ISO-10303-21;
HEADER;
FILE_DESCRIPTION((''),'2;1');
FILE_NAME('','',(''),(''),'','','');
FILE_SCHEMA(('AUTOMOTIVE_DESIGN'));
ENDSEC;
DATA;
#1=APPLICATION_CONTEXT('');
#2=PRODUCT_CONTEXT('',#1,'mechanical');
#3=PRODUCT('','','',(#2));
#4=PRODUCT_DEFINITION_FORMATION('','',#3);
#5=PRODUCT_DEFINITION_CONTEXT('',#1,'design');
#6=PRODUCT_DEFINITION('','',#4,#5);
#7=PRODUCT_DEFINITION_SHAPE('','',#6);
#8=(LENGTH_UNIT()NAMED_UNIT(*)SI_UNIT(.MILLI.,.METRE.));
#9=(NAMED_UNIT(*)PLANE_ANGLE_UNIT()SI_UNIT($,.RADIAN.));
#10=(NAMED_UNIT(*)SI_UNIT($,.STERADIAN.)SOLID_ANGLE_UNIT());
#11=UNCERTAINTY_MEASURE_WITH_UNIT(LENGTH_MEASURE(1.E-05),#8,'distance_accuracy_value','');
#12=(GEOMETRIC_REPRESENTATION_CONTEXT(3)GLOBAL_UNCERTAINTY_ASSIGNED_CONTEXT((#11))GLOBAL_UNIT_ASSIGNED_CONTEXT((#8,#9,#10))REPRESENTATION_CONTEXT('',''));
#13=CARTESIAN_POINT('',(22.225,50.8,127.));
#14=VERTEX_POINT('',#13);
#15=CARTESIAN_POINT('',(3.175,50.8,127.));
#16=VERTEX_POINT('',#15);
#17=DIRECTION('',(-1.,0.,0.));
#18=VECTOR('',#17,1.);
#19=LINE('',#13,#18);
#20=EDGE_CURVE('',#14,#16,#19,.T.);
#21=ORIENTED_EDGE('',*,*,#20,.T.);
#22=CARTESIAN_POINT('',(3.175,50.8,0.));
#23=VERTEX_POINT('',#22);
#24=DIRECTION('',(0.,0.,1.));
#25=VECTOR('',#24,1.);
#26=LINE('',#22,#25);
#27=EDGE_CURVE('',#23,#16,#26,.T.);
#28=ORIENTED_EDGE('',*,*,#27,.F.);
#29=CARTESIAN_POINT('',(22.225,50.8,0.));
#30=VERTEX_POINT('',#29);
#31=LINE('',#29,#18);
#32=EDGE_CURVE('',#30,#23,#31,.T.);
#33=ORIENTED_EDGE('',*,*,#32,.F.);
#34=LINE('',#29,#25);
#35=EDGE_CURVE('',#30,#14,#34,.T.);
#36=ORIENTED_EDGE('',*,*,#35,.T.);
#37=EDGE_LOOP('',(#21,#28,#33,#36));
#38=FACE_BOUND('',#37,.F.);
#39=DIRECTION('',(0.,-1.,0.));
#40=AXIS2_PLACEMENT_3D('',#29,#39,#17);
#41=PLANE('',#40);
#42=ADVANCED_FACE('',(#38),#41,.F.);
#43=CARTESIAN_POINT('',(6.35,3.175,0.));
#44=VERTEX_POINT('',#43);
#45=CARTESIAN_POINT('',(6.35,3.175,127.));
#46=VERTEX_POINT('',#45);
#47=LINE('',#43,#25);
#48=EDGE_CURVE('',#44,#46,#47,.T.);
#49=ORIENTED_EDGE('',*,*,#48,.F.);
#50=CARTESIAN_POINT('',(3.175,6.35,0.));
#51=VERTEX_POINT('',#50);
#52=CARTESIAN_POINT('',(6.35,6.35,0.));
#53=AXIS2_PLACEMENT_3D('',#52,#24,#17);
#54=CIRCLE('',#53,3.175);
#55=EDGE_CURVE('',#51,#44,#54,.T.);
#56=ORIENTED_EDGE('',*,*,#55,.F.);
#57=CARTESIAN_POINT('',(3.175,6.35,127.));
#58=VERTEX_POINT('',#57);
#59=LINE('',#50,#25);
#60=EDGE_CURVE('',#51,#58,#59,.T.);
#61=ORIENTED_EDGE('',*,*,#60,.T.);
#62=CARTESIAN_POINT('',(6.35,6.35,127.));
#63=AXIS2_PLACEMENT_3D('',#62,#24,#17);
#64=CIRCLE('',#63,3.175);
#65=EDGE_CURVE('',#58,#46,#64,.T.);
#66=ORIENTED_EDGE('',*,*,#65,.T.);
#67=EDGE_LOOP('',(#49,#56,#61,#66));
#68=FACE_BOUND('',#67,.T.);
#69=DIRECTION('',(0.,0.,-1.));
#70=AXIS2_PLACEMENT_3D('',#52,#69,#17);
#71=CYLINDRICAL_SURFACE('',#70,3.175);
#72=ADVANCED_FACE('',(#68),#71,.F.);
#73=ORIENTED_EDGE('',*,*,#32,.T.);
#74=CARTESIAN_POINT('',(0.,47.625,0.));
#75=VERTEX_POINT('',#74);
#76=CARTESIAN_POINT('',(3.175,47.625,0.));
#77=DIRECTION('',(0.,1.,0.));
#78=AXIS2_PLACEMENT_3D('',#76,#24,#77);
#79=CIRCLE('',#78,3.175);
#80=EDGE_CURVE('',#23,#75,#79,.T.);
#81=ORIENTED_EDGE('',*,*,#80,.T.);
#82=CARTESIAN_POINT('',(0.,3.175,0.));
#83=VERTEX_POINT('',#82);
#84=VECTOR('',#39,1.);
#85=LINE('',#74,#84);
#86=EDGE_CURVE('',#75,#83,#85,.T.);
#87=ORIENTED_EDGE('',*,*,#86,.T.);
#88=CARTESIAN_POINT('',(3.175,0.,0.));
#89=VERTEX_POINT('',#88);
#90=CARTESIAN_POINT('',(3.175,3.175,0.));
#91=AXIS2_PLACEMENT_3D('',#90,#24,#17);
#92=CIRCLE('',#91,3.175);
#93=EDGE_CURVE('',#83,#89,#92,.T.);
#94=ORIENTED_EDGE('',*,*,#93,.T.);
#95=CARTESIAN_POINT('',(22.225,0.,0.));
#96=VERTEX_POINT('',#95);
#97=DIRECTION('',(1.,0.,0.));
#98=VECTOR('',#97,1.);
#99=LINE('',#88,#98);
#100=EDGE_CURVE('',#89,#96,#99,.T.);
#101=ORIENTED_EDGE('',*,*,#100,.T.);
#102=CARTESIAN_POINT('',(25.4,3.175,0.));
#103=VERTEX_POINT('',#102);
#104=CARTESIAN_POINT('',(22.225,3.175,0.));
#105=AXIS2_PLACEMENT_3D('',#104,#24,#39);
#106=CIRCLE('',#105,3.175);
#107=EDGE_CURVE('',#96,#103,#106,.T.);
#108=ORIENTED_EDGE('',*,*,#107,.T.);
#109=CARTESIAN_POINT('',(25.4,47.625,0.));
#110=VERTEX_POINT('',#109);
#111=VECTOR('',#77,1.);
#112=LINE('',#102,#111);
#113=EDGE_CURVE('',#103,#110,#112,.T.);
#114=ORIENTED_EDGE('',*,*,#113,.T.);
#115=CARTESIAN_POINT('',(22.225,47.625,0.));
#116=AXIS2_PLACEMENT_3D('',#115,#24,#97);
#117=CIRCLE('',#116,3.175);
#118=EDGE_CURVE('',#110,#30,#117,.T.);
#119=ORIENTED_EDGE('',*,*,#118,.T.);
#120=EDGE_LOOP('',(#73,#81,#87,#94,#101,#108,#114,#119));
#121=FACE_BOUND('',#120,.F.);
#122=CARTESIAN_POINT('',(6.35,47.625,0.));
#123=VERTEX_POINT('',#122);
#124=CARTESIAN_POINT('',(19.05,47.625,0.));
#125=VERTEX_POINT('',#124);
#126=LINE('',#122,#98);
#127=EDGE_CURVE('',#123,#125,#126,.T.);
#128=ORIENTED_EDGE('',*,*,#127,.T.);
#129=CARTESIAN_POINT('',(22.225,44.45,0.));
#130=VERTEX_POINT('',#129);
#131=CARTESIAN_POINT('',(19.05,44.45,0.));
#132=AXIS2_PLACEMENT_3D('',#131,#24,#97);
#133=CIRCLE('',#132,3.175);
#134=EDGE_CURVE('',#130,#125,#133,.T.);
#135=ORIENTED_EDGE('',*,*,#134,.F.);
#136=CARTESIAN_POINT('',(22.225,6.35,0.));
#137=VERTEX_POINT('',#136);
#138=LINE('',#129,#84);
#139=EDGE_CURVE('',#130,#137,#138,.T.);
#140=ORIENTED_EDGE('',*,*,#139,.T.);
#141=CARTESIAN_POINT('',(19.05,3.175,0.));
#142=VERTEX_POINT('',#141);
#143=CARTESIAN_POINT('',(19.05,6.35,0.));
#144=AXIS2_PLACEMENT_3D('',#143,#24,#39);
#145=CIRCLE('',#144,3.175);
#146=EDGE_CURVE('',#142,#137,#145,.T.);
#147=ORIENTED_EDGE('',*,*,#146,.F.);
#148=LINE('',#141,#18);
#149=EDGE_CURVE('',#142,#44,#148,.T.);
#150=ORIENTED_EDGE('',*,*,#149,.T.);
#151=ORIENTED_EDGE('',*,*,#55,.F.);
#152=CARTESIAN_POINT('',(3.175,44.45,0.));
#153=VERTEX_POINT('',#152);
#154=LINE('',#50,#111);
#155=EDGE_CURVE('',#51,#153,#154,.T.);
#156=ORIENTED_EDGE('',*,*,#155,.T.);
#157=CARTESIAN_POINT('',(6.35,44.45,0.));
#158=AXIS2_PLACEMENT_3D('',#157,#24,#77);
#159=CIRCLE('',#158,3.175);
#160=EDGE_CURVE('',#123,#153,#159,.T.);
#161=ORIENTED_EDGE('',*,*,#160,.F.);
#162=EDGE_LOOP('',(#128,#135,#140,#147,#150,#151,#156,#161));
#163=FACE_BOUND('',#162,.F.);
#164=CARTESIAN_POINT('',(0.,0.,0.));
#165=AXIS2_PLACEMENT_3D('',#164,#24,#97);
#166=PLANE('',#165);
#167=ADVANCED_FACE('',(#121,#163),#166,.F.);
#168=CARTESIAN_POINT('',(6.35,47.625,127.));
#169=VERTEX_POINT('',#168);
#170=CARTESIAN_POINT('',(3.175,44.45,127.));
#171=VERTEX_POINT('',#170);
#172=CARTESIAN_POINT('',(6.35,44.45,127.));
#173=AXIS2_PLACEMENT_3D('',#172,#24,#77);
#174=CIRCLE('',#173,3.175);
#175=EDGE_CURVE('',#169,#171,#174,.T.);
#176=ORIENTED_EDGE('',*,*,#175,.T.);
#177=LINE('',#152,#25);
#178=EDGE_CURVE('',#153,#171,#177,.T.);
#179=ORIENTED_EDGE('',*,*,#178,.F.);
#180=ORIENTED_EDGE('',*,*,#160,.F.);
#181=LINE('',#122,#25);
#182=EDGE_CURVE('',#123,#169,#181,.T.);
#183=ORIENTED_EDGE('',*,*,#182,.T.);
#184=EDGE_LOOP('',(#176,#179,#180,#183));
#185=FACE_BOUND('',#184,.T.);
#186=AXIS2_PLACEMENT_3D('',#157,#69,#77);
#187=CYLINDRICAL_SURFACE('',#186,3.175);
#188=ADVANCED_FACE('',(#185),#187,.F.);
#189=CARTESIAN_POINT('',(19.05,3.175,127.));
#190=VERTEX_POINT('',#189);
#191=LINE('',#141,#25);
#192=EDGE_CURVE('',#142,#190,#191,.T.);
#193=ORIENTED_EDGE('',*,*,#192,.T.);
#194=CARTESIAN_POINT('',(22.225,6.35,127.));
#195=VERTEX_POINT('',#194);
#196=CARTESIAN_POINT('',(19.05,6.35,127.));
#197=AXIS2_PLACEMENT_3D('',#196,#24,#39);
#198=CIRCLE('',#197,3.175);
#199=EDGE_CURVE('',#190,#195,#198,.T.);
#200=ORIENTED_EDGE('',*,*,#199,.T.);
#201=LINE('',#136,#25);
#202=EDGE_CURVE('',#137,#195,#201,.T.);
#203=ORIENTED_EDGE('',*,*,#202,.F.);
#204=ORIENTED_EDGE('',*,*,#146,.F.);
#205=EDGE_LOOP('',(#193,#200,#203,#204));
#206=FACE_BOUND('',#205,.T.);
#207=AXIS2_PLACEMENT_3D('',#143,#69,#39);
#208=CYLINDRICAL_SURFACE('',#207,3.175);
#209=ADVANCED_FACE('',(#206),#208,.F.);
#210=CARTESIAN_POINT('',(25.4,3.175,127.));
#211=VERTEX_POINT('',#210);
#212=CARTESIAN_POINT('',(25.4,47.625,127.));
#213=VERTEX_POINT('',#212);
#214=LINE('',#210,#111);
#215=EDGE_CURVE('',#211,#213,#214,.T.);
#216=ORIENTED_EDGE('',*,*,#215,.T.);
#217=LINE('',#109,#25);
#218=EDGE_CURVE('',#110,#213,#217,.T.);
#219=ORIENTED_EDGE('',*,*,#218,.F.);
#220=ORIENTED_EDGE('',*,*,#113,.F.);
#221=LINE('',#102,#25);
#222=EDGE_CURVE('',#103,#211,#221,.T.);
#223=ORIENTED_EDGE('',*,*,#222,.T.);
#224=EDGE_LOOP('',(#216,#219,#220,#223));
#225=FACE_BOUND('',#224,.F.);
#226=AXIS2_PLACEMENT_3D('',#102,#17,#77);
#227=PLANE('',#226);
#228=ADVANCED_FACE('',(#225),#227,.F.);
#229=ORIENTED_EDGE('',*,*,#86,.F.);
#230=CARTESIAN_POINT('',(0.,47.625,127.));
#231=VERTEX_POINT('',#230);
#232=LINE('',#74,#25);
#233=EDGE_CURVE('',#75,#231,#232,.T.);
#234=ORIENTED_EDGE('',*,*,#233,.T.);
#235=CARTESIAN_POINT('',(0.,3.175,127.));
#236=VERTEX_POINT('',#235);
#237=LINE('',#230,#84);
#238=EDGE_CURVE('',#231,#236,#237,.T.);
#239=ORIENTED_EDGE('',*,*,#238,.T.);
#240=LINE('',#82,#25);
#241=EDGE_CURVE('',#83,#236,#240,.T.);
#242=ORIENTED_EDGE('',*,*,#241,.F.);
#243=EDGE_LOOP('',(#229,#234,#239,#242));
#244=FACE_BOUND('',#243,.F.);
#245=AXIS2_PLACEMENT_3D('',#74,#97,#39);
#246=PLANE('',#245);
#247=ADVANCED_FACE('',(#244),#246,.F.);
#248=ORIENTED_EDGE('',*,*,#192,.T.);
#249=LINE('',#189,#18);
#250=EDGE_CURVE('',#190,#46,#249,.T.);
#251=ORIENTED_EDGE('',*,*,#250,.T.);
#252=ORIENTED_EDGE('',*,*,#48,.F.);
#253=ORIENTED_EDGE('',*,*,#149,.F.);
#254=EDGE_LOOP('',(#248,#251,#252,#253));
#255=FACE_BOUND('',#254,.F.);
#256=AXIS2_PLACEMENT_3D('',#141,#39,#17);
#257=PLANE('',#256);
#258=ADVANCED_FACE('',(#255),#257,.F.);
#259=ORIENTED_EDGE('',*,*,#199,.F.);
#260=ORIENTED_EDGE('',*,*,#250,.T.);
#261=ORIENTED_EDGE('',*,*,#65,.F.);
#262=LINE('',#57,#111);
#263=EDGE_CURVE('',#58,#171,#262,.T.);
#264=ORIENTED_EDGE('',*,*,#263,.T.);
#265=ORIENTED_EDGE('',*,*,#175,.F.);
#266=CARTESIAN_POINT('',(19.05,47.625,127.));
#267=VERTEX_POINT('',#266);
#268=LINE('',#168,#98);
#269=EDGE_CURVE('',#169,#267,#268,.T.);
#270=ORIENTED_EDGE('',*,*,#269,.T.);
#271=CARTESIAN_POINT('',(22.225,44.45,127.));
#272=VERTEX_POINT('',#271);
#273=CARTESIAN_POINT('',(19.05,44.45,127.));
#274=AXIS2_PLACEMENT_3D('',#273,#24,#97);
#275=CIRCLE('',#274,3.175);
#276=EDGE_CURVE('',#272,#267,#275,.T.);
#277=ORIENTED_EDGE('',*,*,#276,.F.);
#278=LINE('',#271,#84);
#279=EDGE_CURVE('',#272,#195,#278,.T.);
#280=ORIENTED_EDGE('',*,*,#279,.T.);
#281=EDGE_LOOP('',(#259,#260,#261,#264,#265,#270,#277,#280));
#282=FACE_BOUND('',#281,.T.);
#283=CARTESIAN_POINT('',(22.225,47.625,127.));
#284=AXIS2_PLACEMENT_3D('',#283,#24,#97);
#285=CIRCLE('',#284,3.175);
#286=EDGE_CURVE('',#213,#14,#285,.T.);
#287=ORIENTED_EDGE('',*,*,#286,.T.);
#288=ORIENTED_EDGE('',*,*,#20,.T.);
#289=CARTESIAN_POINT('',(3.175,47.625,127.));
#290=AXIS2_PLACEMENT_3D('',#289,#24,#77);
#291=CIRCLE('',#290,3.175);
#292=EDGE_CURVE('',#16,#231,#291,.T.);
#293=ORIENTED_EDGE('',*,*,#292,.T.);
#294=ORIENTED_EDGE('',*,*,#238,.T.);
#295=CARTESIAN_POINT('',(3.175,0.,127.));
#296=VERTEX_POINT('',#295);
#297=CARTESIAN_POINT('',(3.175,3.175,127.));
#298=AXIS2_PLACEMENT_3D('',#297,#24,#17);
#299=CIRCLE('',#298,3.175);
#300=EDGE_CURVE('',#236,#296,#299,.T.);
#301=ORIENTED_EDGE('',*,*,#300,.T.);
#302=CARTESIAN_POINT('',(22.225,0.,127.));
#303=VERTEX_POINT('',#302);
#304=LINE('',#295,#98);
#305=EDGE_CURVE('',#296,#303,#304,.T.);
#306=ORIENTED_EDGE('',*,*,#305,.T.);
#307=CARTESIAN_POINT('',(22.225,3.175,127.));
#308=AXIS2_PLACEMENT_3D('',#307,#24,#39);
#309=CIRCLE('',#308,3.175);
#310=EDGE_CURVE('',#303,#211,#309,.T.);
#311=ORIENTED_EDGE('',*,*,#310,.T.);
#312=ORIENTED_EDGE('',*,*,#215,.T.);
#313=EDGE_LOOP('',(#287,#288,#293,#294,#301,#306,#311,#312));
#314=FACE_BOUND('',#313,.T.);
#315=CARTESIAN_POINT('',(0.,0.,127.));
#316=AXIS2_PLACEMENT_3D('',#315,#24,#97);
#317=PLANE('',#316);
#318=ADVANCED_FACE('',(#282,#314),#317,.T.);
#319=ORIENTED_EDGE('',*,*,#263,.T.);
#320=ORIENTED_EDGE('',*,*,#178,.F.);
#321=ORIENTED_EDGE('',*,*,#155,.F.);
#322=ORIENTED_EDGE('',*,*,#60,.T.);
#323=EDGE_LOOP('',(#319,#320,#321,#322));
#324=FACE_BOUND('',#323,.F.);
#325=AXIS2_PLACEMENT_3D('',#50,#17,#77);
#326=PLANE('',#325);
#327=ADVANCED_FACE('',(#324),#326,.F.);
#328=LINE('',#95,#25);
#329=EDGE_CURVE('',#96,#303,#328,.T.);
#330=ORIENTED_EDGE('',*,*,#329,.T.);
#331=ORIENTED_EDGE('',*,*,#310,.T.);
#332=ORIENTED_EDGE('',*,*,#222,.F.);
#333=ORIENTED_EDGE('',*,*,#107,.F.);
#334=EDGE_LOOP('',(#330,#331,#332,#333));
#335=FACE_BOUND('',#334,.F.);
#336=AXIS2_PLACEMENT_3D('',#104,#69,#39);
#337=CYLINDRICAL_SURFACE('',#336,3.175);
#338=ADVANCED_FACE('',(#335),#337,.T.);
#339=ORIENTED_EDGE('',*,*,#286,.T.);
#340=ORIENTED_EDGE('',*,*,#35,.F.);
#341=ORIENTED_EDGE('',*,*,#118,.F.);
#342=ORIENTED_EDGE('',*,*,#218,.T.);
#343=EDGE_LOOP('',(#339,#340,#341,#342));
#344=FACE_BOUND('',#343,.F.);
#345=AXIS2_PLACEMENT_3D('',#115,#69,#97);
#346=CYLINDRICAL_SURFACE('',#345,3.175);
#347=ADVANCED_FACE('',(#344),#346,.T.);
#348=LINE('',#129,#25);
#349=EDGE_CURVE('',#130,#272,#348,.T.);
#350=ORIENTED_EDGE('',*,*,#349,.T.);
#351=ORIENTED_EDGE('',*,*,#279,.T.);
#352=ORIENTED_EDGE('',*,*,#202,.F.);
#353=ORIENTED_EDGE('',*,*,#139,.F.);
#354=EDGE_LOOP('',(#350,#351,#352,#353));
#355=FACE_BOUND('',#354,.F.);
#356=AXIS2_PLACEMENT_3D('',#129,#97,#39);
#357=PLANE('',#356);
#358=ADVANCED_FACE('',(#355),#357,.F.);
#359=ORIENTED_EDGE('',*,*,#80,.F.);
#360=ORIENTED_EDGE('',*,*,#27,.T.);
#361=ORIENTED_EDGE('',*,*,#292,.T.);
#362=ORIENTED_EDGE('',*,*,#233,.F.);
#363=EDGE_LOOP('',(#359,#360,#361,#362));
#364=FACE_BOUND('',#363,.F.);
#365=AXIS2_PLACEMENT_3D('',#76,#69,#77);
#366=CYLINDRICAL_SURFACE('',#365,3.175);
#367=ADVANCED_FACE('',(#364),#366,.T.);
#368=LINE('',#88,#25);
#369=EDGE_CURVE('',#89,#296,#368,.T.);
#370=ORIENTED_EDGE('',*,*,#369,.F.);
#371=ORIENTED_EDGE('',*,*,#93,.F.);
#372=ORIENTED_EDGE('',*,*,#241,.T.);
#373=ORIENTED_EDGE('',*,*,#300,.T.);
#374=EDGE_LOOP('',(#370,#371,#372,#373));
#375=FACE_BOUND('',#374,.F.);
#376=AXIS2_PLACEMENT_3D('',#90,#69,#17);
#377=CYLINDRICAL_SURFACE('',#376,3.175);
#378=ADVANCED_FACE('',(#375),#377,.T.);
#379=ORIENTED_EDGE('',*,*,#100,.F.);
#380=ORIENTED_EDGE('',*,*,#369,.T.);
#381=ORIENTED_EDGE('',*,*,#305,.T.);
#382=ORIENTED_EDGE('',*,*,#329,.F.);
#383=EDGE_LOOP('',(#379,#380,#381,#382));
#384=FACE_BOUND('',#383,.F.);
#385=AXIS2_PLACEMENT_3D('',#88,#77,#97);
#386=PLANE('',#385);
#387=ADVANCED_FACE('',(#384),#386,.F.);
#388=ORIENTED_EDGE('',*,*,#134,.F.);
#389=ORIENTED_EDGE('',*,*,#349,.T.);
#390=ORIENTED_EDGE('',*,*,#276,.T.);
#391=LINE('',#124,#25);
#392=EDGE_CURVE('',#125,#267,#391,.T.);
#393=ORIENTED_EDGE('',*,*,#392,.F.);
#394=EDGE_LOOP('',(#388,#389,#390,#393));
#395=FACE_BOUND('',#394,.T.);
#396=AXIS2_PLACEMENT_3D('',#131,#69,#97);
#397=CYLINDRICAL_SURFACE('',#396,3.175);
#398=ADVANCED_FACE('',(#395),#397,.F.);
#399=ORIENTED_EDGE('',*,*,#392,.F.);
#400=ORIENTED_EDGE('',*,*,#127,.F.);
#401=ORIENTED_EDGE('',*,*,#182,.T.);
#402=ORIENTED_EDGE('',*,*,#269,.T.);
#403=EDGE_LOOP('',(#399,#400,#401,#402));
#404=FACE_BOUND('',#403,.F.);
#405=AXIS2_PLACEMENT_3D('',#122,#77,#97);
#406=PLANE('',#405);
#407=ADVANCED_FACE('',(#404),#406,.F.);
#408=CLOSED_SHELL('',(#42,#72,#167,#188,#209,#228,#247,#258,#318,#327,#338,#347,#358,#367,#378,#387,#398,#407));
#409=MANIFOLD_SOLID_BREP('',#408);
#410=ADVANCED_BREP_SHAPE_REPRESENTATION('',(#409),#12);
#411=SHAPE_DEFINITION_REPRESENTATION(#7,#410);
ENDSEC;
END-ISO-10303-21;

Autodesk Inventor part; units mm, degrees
ref_plane "YZ Plane" through (0, 0, 0) normal (1, 0, 0) x (0, 1, 0)
ref_plane "XZ Plane" through (0, 0, 0) normal (0, 1, 0) x (-1, 0, 0)
ref_plane "XY Plane" through (0, 0, 0) normal (0, 0, 1) x (1, 0, 0)
sketch "Sketch1" plane through (0, 0, 0) normal (0, 0, 1) x (1, 0, 0)
  line L0 (3.175, 0) -> (22.225, 0)
  line L1 (25.4, 3.175) -> (25.4, 47.625)
  line L2 (22.225, 50.8) -> (3.175, 50.8)
  line L3 (0, 47.625) -> (0, 3.175)
  arc A0 (3.175, 50.8) -> (0, 47.625) centre (3.175, 47.625) ccw
  arc A1 (25.4, 47.625) -> (22.225, 50.8) centre (22.225, 47.625) ccw
  arc A2 (22.225, 0) -> (25.4, 3.175) centre (22.225, 3.175) ccw
  arc A3 (0, 3.175) -> (3.175, 0) centre (3.175, 3.175) ccw
  line L4 (6.35, 47.625) -> (19.05, 47.625)
  line L5 (22.225, 44.45) -> (22.225, 6.35)
  line L6 (19.05, 3.175) -> (6.35, 3.175)
  line L7 (3.175, 6.35) -> (3.175, 44.45)
  arc A4 (6.35, 47.625) -> (3.175, 44.45) centre (6.35, 44.45) ccw
  arc A5 (22.225, 44.45) -> (19.05, 47.625) centre (19.05, 44.45) ccw
  arc A6 (3.175, 6.35) -> (6.35, 3.175) centre (6.35, 6.35) ccw
  arc A7 (19.05, 3.175) -> (22.225, 6.35) centre (19.05, 6.35) ccw
  point P0 (0, 0)
  point P1 (25.4, 0)
  point P2 (0, 50.8)
  dimension "d0" = 50.8
  dimension "d1" = 25.4
  dimension "d2" = 3.175
  dimension "d3" = 3.175
  dimension "d4" = 3.175
  dimension "d5" = 3.175
  dimension "d6" = 3.175
  dimension "d7" = 3.175
  dimension "d8" = 3.175
  dimension "d9" = 3.175
  dimension "d10" = 3.175
extrude "Extrusion1" add sketch "Sketch1" along normal blind 127
properties part number "O channel 5 inch"
